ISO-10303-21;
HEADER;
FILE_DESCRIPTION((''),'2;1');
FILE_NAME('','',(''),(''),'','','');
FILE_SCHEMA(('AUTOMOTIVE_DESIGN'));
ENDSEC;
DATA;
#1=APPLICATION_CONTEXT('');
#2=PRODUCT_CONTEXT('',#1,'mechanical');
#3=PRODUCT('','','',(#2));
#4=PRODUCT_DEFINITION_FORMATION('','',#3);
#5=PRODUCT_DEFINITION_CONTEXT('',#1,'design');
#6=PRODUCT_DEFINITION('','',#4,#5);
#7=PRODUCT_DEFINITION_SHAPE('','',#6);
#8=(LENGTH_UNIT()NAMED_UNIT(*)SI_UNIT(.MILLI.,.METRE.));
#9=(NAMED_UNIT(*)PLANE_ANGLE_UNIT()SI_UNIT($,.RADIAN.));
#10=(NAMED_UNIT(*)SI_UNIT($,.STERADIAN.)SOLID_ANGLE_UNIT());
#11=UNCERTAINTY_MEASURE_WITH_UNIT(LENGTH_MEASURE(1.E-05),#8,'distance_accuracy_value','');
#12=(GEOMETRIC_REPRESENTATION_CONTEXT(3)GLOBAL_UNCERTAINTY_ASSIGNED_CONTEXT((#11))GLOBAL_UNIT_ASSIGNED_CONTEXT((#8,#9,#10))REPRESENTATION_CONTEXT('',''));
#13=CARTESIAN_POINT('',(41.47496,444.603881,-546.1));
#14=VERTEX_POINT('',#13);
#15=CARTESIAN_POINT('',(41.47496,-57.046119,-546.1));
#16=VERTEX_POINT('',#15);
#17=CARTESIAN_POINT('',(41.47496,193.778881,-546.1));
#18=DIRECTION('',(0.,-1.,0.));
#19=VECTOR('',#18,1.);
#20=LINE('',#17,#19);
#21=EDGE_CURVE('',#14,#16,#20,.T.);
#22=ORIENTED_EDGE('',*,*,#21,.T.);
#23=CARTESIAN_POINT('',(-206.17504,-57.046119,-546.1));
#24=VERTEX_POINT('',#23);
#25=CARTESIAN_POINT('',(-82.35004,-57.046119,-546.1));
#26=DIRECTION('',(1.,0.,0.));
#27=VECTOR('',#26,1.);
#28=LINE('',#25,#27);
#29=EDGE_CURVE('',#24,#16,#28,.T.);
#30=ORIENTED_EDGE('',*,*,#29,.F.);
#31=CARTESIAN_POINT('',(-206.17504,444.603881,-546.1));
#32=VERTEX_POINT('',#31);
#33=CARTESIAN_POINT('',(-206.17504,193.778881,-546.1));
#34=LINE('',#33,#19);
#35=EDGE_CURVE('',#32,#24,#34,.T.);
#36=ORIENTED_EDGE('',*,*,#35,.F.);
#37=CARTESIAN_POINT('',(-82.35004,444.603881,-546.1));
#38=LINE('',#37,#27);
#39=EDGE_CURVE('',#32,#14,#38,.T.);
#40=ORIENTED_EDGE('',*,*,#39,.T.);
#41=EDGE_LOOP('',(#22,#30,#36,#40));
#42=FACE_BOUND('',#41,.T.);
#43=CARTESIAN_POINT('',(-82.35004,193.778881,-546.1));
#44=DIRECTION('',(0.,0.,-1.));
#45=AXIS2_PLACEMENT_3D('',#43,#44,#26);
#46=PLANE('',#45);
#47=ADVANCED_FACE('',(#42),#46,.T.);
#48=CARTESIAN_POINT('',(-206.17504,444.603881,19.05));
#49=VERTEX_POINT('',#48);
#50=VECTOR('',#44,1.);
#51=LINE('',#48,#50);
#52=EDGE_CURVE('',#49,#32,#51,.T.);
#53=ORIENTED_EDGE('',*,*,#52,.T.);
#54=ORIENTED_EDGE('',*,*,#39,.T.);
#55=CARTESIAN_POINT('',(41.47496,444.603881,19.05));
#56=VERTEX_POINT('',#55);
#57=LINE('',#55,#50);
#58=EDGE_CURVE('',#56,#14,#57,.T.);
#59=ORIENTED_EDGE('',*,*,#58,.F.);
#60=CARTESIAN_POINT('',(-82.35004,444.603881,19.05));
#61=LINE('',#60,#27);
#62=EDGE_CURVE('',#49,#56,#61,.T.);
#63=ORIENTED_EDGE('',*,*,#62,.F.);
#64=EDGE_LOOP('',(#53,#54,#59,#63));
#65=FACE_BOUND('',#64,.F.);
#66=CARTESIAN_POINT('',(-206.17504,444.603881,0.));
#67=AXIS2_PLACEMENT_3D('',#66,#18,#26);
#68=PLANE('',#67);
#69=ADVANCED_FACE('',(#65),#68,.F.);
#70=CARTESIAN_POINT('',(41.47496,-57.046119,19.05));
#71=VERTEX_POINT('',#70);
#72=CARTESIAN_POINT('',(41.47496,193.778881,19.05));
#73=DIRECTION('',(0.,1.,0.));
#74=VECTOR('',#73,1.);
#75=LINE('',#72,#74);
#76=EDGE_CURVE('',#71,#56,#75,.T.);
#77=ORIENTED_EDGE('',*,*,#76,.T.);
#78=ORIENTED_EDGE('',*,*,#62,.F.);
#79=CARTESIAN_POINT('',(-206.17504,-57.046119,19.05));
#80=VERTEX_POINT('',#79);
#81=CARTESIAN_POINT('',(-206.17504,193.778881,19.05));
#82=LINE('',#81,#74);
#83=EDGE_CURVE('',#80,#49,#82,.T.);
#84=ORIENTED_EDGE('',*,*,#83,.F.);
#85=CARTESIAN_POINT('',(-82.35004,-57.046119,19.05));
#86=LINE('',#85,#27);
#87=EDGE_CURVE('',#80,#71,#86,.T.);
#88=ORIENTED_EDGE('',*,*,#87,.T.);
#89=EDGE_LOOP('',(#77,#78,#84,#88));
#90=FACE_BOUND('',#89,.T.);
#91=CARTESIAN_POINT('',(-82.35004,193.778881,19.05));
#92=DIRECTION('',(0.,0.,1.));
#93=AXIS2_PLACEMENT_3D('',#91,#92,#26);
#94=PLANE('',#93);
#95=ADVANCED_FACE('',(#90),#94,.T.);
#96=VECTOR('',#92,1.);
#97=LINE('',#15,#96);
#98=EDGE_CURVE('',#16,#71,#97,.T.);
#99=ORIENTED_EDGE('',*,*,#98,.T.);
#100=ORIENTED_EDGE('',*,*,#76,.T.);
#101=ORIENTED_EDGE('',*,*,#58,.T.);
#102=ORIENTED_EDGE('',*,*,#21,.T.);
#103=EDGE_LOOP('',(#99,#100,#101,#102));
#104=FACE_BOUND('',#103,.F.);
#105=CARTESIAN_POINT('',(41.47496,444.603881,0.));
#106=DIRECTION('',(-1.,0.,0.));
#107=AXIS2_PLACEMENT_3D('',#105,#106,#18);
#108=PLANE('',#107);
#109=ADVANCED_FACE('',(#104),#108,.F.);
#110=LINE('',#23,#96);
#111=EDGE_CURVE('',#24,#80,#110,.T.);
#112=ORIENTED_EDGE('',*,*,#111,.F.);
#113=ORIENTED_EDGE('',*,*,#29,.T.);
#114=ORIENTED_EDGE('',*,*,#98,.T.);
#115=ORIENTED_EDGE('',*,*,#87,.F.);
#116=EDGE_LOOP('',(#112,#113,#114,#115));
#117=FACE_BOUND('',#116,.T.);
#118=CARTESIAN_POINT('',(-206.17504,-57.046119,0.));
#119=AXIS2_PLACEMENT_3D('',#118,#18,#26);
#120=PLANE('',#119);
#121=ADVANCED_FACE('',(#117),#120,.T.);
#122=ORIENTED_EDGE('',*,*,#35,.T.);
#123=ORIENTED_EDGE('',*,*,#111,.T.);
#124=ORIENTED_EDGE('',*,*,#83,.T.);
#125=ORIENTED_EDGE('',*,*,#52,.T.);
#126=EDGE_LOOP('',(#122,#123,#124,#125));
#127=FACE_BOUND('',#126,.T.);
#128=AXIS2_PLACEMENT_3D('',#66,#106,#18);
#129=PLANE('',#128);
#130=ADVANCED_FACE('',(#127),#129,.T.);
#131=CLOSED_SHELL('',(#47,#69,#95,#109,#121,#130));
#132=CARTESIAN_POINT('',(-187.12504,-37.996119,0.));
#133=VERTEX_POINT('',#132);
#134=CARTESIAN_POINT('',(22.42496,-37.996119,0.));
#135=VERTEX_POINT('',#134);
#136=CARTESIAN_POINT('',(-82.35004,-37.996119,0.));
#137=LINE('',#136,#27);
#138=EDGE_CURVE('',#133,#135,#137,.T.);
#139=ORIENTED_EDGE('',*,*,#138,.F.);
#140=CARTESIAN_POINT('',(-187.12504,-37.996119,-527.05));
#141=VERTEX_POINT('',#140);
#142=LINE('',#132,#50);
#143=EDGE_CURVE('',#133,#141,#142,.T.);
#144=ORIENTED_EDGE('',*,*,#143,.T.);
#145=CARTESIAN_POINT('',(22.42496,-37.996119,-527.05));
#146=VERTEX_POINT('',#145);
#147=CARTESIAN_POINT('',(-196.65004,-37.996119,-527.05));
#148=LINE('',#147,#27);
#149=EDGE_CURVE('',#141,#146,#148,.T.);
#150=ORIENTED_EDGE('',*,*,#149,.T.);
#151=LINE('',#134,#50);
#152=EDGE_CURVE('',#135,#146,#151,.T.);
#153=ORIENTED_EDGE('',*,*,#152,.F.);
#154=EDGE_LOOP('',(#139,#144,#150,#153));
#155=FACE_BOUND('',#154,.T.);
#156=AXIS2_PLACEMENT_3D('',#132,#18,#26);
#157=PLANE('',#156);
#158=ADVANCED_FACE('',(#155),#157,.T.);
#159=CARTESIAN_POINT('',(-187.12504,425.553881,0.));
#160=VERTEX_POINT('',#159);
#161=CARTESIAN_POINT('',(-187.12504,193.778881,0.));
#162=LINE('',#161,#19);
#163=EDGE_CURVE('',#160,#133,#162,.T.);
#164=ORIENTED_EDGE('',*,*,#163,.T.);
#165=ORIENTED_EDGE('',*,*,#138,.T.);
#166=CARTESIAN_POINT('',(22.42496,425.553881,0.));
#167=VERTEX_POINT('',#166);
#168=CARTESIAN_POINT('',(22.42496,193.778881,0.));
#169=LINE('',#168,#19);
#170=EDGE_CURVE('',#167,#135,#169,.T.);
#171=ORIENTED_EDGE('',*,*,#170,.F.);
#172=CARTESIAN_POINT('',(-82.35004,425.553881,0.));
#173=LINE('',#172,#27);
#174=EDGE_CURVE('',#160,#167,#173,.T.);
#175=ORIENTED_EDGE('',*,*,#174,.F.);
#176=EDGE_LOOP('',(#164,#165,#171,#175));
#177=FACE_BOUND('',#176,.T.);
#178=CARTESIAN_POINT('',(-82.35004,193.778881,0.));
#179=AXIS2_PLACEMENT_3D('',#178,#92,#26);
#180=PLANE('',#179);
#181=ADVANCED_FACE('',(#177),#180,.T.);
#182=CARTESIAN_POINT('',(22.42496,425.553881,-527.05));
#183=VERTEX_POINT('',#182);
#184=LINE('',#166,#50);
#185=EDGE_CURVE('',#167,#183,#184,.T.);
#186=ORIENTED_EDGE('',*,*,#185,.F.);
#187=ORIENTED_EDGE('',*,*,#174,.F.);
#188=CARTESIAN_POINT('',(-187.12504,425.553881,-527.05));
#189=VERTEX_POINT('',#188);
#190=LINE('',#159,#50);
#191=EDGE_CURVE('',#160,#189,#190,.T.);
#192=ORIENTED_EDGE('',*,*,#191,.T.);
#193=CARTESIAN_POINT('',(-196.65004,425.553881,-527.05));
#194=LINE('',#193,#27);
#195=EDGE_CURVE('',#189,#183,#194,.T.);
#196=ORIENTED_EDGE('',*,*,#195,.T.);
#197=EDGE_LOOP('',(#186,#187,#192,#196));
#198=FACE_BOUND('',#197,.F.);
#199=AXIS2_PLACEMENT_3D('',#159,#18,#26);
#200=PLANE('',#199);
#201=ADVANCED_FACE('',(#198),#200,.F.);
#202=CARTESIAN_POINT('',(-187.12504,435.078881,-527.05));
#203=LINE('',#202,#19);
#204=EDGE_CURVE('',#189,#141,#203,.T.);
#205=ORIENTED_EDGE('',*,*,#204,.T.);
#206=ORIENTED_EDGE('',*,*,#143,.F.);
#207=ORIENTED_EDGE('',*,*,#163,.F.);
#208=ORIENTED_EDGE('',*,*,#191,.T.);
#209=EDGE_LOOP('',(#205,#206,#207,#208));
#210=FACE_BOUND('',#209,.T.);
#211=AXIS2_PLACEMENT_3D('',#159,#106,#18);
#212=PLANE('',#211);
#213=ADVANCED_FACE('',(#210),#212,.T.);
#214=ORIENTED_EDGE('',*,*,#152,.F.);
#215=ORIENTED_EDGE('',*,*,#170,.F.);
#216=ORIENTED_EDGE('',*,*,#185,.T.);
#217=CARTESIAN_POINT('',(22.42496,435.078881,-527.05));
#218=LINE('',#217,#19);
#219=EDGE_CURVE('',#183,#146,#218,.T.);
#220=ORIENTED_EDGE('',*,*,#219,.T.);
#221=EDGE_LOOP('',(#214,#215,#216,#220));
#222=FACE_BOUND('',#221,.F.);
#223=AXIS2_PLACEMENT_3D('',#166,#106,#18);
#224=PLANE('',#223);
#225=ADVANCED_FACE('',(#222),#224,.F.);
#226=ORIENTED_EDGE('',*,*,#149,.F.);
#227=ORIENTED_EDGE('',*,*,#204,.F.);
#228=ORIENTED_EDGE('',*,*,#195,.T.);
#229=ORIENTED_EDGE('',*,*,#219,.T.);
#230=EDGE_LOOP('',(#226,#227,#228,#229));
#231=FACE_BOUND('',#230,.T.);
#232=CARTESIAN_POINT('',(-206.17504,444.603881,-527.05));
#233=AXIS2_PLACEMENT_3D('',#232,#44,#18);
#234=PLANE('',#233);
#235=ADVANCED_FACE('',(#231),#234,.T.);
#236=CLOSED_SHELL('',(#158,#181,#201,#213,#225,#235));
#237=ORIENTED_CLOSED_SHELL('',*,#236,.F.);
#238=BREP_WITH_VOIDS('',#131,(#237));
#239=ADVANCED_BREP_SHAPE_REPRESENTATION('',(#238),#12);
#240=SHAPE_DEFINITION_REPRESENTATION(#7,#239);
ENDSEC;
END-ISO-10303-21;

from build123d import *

# Parameters (mm, degrees)
F0_W     = 247.65
F0_H     = 501.65
F1_DEPTH = 19.05
F2_W     = 247.65
F2_H     = 501.65
F2_W_2   = 209.55
F2_H_2   = 463.55
F3_DEPTH = 546.1
F4_W     = 501.65
F4_H     = 19.05
F5_DEPTH = 247.65


with BuildPart() as f1:
    # F0 (on Top) → F1 (new body)
    with BuildSketch(Plane.XY):
        with Locations((-82.35004, 193.778881)):
            Rectangle(F0_W, F0_H)
    extrude(amount=F1_DEPTH)

    # F2 (on face) → F3 (join)
    with BuildSketch(Plane(origin=(0, 0, 0), x_dir=(1, 0, 0), z_dir=(0, 0, -1))):
        with Locations((-82.35004, -193.778881)):
            Rectangle(F2_W, F2_H)
        with Locations((-82.35004, -193.778881)):
            Rectangle(F2_W_2, F2_H_2, mode=Mode.SUBTRACT)
    extrude(amount=F3_DEPTH)

    # F4 (on face) → F5 (join)
    with BuildSketch(Plane(origin=(-206.17504, 0, 0), x_dir=(0, -1, 0), z_dir=(-1, 0, 0))):
        with Locations((-193.778881, -536.575)):
            Rectangle(F4_W, F4_H)
    extrude(amount=-F5_DEPTH)


solid = f1.part
